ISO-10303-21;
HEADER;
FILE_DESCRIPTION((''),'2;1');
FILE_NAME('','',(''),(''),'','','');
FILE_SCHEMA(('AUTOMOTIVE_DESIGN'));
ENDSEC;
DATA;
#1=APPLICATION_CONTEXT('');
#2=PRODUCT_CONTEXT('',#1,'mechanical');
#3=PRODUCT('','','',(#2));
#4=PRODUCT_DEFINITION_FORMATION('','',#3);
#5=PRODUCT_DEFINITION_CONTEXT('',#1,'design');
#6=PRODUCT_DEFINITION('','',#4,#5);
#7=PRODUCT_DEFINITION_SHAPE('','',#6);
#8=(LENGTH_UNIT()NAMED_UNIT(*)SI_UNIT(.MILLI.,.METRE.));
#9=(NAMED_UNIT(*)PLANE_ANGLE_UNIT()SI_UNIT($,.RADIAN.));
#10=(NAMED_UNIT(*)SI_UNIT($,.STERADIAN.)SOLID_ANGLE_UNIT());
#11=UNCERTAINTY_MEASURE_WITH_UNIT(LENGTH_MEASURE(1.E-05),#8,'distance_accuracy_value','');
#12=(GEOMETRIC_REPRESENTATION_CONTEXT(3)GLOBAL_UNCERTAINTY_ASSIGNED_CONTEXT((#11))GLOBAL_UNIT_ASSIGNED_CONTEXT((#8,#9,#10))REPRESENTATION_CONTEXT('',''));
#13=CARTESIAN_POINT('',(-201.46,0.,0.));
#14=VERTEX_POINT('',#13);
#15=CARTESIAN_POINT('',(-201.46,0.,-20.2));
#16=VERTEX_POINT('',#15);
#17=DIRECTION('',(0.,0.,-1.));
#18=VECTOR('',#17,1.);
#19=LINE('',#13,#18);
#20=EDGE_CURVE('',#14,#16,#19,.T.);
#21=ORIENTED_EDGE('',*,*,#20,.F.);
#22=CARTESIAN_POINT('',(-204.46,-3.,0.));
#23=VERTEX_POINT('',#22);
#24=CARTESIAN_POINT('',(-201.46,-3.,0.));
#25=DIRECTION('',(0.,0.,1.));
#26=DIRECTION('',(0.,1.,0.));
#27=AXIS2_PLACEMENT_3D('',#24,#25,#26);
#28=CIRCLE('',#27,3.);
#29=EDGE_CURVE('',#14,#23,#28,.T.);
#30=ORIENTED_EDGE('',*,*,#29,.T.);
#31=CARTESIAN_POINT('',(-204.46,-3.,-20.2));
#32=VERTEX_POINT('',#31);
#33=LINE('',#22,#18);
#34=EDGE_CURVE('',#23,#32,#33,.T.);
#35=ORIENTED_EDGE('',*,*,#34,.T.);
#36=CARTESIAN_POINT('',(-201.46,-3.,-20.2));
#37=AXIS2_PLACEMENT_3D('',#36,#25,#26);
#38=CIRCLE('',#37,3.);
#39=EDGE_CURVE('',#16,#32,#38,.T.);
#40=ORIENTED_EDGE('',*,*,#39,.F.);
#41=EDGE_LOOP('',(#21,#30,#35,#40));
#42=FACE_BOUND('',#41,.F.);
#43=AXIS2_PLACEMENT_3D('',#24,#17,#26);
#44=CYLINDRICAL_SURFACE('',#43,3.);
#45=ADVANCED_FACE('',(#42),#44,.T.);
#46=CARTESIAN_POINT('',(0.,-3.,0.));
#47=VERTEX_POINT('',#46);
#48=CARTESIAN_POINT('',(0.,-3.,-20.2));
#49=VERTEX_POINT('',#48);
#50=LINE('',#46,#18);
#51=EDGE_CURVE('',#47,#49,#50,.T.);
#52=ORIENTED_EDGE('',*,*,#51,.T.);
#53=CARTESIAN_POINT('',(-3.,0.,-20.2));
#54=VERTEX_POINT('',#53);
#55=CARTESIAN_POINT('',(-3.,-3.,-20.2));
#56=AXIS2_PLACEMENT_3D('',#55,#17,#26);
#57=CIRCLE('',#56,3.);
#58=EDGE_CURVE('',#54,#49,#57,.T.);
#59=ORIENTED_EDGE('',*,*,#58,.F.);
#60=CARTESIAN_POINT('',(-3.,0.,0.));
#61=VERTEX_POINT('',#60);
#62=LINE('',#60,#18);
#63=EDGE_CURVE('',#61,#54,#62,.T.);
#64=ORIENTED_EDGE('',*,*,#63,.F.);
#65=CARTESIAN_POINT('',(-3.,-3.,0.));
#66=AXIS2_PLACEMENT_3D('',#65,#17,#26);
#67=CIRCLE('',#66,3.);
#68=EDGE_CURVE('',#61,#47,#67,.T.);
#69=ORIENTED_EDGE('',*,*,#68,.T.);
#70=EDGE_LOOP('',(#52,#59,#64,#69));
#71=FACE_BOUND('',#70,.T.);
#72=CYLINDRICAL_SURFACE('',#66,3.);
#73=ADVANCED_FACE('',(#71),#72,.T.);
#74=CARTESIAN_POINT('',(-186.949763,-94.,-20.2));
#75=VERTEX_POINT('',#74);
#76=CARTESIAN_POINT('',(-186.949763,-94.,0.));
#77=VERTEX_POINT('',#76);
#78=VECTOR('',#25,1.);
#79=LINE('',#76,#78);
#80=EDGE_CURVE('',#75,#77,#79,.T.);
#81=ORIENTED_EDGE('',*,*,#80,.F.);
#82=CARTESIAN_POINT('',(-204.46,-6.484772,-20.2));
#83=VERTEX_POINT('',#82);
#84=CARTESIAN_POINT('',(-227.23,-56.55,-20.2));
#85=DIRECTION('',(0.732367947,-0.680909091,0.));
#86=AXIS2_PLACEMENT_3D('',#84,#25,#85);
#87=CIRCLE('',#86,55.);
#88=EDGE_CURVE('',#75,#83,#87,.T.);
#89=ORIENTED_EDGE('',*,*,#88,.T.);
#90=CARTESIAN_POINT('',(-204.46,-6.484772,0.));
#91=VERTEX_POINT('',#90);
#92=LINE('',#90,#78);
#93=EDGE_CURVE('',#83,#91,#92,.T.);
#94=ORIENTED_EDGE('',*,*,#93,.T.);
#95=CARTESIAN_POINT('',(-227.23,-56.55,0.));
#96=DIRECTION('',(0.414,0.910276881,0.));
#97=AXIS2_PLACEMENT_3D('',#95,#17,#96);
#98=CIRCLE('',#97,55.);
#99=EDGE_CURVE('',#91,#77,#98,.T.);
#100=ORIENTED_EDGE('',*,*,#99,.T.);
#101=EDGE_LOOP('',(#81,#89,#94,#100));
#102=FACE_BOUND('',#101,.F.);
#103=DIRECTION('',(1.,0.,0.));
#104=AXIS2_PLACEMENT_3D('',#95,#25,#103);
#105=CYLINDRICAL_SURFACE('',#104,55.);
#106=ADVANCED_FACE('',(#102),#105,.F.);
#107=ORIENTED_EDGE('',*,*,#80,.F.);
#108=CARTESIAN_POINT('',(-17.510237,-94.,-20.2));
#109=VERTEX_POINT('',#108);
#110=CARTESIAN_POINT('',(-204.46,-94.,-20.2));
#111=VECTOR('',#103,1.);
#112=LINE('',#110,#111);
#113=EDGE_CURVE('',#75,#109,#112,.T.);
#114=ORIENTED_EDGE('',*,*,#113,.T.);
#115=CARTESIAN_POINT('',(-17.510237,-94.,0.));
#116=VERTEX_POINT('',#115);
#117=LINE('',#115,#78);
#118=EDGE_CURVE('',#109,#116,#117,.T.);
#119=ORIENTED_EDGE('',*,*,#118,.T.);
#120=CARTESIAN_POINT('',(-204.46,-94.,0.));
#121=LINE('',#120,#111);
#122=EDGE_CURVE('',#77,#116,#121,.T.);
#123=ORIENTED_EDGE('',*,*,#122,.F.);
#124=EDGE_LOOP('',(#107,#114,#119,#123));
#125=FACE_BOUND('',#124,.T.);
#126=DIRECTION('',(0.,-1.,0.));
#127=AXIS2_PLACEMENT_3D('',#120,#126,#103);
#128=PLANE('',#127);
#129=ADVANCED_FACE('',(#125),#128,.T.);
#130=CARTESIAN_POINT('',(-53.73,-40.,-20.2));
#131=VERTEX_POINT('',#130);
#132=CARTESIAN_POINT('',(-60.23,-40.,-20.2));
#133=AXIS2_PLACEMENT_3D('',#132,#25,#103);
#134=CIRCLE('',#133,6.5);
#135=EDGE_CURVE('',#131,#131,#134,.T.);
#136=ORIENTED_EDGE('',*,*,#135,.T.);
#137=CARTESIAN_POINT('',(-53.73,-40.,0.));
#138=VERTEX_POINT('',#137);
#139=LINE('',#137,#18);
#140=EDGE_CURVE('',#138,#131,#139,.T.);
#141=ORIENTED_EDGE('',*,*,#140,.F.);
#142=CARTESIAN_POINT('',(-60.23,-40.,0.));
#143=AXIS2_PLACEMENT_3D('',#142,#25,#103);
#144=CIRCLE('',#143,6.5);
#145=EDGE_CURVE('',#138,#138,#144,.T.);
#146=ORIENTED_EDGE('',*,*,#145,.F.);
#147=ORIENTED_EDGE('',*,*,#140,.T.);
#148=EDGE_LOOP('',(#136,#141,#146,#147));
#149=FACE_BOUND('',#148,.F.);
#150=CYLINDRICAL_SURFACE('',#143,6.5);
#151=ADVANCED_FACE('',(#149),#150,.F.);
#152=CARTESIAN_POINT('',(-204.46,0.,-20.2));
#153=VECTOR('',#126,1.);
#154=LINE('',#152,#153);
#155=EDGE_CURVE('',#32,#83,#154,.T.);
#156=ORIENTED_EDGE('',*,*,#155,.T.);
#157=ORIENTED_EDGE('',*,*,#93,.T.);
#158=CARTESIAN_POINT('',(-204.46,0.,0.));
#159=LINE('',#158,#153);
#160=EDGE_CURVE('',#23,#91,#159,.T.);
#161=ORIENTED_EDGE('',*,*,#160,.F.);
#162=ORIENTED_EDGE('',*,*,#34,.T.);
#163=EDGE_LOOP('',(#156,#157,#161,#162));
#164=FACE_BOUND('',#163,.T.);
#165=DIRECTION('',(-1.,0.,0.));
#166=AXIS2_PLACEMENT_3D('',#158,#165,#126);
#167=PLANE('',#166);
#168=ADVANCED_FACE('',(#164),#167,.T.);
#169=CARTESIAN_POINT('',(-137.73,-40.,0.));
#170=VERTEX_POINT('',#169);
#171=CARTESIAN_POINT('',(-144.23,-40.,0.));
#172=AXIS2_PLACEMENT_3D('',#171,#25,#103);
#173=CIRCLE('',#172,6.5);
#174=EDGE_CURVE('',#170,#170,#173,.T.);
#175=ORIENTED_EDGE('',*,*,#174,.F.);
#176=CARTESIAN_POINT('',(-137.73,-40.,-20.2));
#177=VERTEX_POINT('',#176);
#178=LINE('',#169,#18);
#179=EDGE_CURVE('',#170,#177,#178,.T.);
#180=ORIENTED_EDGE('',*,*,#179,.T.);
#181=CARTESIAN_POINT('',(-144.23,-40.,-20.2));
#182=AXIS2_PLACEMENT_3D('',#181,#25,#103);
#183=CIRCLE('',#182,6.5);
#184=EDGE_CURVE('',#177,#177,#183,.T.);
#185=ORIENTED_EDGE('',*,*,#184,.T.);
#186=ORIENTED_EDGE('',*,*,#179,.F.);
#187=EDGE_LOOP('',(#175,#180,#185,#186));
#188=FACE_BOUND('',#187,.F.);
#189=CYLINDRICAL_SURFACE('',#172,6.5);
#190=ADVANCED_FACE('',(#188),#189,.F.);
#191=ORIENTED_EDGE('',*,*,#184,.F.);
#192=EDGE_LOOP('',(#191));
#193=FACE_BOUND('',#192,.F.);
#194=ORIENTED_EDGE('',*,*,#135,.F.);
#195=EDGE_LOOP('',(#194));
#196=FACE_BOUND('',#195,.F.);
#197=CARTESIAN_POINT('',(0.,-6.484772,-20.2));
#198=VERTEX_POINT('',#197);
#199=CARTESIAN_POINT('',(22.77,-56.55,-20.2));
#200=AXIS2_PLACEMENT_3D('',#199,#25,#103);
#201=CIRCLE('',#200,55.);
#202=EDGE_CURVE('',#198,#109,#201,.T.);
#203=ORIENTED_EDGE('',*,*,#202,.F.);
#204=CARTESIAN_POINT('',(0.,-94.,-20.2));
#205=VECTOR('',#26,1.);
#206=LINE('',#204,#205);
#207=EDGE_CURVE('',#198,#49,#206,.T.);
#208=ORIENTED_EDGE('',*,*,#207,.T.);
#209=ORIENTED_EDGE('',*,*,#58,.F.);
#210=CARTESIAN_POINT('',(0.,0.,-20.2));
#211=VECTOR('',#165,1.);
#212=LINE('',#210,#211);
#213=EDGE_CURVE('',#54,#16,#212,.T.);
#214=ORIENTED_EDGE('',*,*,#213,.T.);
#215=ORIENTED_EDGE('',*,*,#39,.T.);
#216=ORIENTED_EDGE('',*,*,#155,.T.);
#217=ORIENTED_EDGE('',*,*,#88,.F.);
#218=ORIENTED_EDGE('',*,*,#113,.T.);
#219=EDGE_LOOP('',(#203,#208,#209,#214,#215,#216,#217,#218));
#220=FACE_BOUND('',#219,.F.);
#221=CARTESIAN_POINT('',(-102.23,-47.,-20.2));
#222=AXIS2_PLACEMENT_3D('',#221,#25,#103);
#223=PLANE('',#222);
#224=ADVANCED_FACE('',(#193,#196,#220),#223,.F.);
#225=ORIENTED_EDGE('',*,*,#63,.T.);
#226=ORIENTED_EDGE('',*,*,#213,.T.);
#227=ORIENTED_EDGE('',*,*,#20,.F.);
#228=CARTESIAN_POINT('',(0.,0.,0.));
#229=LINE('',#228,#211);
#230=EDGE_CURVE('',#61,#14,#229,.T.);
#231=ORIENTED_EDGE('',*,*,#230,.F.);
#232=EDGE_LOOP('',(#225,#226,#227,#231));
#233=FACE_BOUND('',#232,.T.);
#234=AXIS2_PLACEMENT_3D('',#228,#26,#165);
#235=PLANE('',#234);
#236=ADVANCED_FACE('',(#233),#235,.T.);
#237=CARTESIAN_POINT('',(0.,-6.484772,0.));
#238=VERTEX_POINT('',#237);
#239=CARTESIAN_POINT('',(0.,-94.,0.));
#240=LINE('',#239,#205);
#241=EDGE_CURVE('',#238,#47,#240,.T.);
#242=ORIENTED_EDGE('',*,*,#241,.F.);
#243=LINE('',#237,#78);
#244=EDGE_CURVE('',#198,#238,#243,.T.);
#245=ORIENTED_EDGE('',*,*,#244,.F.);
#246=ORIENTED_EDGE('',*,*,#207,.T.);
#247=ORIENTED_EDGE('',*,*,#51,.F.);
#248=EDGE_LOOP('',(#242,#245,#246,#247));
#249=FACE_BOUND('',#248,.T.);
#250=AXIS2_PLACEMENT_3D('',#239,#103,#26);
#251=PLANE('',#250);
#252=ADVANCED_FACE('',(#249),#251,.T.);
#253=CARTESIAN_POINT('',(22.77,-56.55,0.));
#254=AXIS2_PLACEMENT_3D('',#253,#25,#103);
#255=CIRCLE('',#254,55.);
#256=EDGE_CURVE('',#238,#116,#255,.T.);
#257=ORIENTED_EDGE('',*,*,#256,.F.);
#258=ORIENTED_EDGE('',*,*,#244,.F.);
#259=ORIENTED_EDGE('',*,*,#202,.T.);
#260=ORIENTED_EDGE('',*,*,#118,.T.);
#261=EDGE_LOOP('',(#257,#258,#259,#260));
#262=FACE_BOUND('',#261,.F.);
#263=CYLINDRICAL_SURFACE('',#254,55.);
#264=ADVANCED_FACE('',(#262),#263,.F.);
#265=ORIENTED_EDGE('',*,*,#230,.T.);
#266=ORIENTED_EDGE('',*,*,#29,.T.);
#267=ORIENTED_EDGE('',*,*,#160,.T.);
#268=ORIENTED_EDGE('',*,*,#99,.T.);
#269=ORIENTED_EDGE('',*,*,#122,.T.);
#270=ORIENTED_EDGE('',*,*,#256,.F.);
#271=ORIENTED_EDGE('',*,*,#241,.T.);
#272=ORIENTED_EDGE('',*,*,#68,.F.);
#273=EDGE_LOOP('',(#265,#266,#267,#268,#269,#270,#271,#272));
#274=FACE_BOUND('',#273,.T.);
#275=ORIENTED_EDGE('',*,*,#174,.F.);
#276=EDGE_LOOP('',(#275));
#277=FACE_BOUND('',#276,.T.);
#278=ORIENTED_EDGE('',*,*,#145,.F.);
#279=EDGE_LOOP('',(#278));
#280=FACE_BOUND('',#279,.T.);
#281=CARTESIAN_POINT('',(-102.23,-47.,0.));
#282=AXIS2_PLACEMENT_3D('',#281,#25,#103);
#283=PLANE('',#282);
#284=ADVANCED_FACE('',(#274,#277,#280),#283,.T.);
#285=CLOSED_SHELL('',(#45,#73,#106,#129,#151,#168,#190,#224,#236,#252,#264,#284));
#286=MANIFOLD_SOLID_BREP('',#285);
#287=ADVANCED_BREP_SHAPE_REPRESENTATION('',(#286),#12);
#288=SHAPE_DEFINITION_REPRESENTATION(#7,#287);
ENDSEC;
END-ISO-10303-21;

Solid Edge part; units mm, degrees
sketch "Sketch1" plane through (0, 0, 0) normal (0, 0, 1) x (1, 0, 0)
  line L0 (0, 0) -> (-204.46, 0)
  line L1 (-204.46, 0) -> (-204.46, -94)
  line L2 (-204.46, -94) -> (0, -94)
  line L3 (0, -94) -> (0, 0)
extrude "Protrusion1" add sketch "Sketch1" against normal blind 20.2
sketch "Sketch2" plane through (-102.23, -47, 0) normal (0, 0, 1) x (1, 0, 0)
  circle A0 centre (42, 7) radius 6.5
  circle A1 centre (-42, 7) radius 6.5
extrude "ExtrudedCutout_1" cut sketch "Sketch2" against normal blind 21
sketch "Sketch3" plane through (-102.23, -47, 0) normal (0, 0, 1) x (1, 0, 0)
  circle A0 centre (-125, -9.55) radius 55
extrude "ExtrudedCutout_2" cut sketch "Sketch3" against normal blind 22
sketch "Sketch4" plane through (-102.23, -47, 0) normal (0, 0, 1) x (1, 0, 0)
  circle A0 centre (125, -9.55) radius 55
extrude "ExtrudedCutout_3" cut sketch "Sketch4" against normal blind 22
fillet "Round_1" radius 3 2 edges at (0, 0, -10.1) (-204.46, 0, -10.1)
